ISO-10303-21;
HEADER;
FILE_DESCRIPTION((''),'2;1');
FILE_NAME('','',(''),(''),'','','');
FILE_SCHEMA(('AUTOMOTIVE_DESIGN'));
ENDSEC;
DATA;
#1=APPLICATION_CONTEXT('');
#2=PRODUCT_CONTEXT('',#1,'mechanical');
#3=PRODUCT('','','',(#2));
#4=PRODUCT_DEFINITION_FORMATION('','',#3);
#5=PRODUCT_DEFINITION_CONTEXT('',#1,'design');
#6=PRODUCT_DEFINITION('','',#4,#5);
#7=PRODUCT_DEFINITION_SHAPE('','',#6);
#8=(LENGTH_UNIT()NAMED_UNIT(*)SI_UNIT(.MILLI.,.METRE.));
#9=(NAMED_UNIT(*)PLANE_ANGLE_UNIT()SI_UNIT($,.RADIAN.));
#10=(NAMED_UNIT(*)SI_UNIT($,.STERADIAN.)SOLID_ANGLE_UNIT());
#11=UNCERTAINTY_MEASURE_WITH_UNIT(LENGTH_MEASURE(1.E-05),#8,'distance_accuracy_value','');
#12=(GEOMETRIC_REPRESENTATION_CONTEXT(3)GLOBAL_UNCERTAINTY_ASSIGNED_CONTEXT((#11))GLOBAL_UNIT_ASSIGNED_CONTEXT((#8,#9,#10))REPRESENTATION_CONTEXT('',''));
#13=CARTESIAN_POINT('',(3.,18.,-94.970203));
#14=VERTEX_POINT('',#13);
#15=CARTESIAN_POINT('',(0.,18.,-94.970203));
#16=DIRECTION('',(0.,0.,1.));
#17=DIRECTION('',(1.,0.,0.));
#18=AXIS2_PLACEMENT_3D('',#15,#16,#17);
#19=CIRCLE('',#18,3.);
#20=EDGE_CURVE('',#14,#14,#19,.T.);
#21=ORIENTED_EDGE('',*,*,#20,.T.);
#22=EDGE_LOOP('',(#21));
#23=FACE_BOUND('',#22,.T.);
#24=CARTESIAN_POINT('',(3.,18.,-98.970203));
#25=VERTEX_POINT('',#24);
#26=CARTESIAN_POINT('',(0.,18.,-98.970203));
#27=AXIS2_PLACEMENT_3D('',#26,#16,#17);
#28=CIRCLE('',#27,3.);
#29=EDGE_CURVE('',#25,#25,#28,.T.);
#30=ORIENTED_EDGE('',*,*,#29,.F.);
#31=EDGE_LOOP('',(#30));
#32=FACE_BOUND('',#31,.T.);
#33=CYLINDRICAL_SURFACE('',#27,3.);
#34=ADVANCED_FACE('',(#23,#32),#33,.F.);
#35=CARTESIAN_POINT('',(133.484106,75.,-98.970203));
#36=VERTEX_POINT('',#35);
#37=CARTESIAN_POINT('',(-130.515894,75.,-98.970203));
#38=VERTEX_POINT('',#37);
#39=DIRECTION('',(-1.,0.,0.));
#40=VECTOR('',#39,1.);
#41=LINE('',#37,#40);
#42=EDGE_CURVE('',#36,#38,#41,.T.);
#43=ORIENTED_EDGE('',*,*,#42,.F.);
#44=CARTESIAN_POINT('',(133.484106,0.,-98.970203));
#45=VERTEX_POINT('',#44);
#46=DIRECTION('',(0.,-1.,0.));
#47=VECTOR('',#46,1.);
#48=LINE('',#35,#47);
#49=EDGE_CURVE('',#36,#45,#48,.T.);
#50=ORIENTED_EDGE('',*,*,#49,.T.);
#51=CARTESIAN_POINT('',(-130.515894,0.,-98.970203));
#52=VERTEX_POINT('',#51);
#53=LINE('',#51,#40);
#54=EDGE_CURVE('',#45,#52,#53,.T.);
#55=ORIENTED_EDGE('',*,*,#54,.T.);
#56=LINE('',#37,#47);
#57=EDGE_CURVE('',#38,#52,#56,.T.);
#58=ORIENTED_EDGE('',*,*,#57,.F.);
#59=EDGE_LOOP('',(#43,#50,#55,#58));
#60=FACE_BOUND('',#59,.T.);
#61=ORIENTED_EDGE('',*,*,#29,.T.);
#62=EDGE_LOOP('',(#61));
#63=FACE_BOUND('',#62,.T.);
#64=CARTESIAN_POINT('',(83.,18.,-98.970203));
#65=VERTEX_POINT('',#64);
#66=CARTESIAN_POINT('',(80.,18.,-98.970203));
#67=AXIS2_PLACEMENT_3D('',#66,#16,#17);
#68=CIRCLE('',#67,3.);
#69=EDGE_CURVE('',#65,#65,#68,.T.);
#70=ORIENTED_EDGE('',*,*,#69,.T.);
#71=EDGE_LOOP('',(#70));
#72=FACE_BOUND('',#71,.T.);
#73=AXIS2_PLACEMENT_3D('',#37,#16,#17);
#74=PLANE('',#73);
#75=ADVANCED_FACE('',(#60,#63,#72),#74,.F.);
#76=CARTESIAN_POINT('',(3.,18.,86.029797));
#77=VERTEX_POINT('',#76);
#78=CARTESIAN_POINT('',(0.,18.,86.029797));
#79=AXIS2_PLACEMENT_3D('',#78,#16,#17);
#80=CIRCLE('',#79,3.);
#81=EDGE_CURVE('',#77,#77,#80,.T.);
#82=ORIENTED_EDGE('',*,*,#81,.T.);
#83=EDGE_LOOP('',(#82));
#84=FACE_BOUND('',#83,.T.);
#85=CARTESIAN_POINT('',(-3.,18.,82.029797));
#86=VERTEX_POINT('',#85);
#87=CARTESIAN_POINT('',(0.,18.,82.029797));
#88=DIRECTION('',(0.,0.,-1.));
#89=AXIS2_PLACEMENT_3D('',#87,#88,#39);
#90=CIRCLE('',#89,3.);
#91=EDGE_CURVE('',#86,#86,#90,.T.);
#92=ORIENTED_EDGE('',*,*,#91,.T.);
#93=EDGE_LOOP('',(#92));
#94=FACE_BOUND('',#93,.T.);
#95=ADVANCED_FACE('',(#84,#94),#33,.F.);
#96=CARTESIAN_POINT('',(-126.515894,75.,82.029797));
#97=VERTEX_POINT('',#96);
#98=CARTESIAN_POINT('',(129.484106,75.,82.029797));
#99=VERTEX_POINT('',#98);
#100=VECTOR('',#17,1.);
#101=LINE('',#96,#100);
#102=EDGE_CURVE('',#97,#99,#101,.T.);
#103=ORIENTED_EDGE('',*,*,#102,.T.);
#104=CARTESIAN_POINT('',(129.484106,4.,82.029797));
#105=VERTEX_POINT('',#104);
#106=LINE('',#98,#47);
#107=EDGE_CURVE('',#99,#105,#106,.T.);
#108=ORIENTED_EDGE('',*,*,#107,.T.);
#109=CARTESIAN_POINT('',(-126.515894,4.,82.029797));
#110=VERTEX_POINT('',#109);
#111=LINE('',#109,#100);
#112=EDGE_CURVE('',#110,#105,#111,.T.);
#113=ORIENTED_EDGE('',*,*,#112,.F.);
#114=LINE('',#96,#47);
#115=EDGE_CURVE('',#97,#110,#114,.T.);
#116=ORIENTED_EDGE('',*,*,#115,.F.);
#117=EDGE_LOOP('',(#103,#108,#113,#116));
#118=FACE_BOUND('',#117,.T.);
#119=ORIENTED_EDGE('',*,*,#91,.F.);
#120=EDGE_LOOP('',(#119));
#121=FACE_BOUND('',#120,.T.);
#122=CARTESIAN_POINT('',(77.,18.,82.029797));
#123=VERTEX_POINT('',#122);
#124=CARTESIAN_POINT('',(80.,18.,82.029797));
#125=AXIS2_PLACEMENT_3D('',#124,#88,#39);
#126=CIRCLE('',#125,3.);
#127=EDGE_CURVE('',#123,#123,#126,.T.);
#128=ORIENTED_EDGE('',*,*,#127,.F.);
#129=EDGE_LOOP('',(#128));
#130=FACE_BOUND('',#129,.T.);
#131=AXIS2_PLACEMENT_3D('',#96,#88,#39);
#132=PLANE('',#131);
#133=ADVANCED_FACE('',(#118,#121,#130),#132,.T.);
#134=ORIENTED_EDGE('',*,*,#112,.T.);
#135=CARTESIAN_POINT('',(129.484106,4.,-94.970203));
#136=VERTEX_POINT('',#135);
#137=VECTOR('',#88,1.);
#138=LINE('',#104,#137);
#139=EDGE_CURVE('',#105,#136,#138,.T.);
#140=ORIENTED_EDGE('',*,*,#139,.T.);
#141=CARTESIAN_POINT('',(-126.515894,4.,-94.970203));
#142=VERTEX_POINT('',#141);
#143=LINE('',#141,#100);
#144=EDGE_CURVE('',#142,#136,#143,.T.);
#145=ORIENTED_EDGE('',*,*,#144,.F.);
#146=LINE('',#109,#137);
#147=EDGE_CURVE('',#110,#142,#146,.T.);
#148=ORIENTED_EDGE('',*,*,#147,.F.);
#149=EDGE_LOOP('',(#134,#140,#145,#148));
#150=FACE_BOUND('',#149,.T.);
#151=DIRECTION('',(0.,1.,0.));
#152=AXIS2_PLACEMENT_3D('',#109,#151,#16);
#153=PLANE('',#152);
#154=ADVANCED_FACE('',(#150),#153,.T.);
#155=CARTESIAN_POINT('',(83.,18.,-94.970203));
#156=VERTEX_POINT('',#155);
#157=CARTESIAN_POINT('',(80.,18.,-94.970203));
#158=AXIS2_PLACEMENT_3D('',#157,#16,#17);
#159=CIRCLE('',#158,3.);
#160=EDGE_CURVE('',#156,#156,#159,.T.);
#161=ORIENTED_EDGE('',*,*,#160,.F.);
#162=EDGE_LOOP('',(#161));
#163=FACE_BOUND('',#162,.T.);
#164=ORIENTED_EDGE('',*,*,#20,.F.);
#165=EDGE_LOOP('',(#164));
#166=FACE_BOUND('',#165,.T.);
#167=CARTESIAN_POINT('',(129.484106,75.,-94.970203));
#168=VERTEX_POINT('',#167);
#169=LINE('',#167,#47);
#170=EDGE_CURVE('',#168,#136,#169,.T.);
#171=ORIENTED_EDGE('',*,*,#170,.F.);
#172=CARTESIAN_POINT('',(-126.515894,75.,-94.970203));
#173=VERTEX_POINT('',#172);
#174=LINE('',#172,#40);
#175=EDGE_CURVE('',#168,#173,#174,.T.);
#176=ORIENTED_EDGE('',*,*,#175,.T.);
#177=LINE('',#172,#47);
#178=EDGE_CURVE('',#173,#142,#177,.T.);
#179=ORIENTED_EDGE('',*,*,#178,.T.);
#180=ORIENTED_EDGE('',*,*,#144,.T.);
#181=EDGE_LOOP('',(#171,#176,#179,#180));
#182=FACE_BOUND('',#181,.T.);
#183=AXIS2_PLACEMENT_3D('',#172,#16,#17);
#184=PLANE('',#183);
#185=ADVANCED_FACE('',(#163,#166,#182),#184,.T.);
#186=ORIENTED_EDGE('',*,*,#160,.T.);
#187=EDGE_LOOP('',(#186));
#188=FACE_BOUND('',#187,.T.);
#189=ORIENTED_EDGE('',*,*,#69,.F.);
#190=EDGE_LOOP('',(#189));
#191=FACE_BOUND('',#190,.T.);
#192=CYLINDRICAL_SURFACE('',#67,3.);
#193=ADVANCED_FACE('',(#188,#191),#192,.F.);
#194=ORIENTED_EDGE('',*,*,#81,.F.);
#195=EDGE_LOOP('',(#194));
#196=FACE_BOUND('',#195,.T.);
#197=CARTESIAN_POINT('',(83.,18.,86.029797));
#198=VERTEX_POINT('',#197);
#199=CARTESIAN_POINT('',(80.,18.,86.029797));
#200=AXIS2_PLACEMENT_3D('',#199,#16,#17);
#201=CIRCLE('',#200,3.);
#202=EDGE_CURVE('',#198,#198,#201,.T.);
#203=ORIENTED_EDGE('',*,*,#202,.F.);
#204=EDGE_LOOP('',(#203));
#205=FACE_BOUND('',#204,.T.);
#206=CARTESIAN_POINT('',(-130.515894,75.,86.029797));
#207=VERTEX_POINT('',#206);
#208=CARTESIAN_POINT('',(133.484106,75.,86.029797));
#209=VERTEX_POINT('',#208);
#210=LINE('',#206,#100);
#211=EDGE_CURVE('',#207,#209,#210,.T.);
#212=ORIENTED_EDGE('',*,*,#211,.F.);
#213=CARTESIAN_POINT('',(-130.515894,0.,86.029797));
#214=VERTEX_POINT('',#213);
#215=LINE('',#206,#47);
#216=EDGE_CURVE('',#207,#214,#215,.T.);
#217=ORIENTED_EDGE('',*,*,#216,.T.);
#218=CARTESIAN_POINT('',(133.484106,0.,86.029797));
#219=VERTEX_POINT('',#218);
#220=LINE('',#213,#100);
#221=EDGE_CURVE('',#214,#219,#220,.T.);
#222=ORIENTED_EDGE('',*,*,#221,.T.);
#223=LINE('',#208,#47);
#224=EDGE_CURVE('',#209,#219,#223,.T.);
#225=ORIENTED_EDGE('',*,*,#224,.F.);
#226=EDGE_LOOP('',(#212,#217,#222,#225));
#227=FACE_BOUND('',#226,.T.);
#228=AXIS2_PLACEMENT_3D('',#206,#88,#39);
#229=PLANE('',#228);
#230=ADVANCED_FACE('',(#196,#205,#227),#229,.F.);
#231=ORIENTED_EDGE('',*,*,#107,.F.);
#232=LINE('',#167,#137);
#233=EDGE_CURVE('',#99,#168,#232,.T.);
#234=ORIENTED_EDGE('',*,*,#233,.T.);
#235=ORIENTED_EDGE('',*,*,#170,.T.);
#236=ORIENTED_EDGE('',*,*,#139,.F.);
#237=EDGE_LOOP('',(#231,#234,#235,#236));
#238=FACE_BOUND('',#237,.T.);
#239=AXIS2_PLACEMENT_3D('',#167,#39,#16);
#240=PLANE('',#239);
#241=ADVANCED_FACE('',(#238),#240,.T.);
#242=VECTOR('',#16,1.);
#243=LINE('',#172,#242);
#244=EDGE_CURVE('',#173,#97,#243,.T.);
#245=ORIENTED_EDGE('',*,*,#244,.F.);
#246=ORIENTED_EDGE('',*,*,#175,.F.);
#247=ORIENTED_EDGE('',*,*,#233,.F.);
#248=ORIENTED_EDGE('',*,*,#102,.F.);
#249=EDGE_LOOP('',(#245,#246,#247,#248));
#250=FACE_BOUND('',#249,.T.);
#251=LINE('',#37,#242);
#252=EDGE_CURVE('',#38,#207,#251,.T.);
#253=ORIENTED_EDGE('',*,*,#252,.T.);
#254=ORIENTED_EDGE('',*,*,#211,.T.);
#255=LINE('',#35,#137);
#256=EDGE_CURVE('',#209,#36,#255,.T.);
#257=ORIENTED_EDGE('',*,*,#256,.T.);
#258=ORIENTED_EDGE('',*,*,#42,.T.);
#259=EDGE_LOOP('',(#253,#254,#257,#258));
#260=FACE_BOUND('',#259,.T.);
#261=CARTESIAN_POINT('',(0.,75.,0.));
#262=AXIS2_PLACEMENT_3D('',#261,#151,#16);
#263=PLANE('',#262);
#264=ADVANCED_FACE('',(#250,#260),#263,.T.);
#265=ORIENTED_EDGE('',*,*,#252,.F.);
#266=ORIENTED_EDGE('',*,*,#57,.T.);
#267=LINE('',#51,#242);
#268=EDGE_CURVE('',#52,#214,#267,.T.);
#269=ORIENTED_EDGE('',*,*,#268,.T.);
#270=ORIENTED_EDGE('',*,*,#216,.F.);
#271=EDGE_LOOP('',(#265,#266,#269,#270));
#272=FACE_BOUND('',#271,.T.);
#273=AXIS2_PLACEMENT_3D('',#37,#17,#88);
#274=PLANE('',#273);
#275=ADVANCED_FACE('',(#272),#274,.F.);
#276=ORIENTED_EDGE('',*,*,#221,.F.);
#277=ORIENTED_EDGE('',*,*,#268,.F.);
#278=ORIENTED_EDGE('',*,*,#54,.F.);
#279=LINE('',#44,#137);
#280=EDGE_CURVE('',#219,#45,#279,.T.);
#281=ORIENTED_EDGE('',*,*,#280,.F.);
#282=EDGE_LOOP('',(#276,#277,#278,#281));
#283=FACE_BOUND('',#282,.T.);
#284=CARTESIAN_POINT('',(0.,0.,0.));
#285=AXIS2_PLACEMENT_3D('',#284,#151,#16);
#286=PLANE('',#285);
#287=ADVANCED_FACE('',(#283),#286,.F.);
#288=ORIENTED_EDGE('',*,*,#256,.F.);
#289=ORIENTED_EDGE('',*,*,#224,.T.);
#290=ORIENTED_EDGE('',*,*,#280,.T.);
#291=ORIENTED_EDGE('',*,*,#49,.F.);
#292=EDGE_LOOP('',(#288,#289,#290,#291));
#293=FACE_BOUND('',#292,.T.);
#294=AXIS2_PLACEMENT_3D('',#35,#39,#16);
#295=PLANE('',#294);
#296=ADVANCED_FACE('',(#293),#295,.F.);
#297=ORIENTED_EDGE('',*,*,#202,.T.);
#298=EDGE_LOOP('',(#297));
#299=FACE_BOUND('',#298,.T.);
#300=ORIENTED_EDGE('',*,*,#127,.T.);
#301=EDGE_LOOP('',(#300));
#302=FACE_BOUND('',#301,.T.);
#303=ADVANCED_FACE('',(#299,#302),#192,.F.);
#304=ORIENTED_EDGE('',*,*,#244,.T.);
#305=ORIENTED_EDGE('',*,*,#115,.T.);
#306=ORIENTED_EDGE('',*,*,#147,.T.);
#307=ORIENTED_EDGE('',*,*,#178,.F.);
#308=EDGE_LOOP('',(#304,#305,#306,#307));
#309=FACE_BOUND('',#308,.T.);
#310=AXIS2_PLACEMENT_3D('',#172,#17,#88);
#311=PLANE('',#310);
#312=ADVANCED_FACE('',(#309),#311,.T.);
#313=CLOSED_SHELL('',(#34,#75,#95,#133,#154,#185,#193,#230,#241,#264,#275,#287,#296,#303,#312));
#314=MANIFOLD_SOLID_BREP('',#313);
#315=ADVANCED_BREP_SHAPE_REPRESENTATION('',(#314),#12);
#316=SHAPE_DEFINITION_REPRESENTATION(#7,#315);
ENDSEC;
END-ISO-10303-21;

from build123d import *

# Parameters (mm, degrees)
SKETCH1_W           = 264
SKETCH1_H           = 185
SKETCH1_W_2         = 256
SKETCH1_H_2         = 177
BOSS_EXTRUDE4_DEPTH = 75
SKETCH6_W           = 256
SKETCH6_H           = 4
BOSS_EXTRUDE5_DEPTH = 177
SKETCH7_R           = 3
CUT_EXTRUDE1_DEPTH  = 185


with BuildPart() as part:
    # Sketch1 → Boss-Extrude4 (new body)
    with BuildSketch(Plane(origin=(0, 0, 0), x_dir=(1, 0, 0), z_dir=(0, 1, 0))):
        with Locations((1.484105733, 6.470202951)):
            Rectangle(SKETCH1_W, SKETCH1_H)
        with Locations((1.484105733, 6.470202951)):
            Rectangle(SKETCH1_W_2, SKETCH1_H_2, mode=Mode.SUBTRACT)
    extrude(amount=BOSS_EXTRUDE4_DEPTH)

    # Sketch6 → Boss-Extrude5 (add)
    with BuildSketch(Plane.XY.offset(-94.970202951)):
        with Locations((1.484105733, 2)):
            Rectangle(SKETCH6_W, SKETCH6_H)
    extrude(amount=BOSS_EXTRUDE5_DEPTH)

    # Sketch7 → Cut-Extrude1 (cut)
    with BuildSketch(Plane.XY.offset(86.029797049)):
        with Locations((0, 18)):
            Circle(SKETCH7_R)
        with Locations((80, 18)):
            Circle(SKETCH7_R)
    extrude(amount=-CUT_EXTRUDE1_DEPTH, mode=Mode.SUBTRACT)


solid = part.part
